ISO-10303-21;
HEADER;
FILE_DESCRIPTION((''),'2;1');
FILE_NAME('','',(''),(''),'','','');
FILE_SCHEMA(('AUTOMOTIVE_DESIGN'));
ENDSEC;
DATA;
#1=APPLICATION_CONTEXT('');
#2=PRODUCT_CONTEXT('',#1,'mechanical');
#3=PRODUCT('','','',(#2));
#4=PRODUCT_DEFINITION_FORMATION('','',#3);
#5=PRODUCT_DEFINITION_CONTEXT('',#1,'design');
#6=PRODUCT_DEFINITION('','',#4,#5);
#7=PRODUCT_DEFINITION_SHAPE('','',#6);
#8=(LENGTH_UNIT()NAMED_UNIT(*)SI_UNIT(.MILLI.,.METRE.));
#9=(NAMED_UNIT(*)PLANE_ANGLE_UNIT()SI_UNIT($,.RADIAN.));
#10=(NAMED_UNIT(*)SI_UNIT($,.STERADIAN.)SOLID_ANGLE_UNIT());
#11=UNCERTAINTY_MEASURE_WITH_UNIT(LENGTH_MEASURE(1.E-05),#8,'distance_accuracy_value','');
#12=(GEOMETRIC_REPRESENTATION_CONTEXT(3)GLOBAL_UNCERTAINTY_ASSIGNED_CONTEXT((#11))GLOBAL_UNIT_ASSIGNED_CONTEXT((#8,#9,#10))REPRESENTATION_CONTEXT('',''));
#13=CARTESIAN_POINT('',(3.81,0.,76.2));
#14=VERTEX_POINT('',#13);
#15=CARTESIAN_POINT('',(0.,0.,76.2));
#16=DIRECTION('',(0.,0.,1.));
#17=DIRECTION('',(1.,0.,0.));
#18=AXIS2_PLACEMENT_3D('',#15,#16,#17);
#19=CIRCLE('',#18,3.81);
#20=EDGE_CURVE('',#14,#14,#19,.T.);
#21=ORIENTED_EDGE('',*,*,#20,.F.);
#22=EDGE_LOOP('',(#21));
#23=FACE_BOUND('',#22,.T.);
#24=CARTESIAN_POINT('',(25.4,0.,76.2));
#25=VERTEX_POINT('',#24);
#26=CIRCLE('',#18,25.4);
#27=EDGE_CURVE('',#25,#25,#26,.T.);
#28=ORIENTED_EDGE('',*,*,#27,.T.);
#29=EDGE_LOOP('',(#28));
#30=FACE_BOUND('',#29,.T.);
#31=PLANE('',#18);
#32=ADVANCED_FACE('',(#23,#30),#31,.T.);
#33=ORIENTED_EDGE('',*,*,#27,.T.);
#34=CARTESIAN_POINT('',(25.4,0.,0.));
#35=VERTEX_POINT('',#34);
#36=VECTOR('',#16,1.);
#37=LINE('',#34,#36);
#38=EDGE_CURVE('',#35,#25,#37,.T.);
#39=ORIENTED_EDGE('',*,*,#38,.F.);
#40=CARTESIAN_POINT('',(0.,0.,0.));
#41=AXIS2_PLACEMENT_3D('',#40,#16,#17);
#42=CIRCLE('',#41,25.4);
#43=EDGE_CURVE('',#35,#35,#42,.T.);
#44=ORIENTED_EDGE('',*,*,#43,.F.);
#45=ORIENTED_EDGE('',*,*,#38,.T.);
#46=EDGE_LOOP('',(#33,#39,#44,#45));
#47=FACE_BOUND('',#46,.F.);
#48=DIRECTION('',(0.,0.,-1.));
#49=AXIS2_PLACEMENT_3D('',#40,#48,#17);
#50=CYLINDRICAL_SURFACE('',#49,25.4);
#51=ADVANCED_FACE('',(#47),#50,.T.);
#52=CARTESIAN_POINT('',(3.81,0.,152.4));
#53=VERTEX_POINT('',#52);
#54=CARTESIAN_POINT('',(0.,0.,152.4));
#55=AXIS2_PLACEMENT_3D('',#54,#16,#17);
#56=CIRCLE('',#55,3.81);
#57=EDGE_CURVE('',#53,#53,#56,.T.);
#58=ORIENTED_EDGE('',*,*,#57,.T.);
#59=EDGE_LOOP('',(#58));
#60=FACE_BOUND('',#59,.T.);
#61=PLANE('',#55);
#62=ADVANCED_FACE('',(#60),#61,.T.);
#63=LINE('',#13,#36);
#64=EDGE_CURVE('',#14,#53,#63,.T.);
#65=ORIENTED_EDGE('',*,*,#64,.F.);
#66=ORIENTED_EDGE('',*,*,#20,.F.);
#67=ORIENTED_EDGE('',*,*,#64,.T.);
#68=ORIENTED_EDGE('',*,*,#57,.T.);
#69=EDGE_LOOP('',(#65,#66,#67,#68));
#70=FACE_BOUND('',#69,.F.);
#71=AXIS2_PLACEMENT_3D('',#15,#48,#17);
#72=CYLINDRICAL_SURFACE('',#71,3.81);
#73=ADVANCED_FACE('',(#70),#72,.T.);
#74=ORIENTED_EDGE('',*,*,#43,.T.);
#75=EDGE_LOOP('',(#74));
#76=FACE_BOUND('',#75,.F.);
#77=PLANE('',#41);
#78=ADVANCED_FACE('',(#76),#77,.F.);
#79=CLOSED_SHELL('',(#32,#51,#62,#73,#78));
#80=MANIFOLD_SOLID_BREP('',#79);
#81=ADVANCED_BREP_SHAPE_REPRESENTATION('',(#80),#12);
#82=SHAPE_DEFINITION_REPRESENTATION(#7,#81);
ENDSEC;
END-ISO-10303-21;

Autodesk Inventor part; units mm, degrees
ref_plane "YZ Plane" through (0, 0, 0) normal (1, 0, 0) x (0, 1, 0)
ref_plane "XZ Plane" through (0, 0, 0) normal (0, 1, 0) x (-1, 0, 0)
ref_plane "XY Plane" through (0, 0, 0) normal (0, 0, 1) x (1, 0, 0)
sketch "Sketch1" plane through (0, 0, 0) normal (0, 0, 1) x (1, 0, 0)
  circle A0 centre (0, 0) radius 25.4
  dimension "d0" = 50.8
extrude "Extrusion1" add sketch "Sketch1" along normal blind 76.2
sketch "Sketch2" plane through (0, 0, 76.2) normal (0, 0, 1) x (1, 0, 0)
  circle A0 centre (0, 0) radius 25.4 projected
  circle A1 centre (0, 0) radius 3.81
  dimension "d3" = 7.62
extrude "Extrusion2" add sketch "Sketch2" along normal blind 76.2 contours A1
equation "\"BendRadius\" = Thickness"
equation "\"BendReliefWidth\" = Thickness"
equation "\"BendReliefDepth\" = 0.5 * Thickness"
equation "\"CornerReliefSize\" = 4 * Thickness"
equation "\"MinimumRemnant\" = 2 * Thickness"
equation "\"TransitionRadius\" = BendRadius"
equation "\"JacobiRadiusSize\" = Thickness"
equation "\"GapSize\" = Thickness"
equation "\"Thickness\" = 3.048"
properties part number "6.0V motor"
